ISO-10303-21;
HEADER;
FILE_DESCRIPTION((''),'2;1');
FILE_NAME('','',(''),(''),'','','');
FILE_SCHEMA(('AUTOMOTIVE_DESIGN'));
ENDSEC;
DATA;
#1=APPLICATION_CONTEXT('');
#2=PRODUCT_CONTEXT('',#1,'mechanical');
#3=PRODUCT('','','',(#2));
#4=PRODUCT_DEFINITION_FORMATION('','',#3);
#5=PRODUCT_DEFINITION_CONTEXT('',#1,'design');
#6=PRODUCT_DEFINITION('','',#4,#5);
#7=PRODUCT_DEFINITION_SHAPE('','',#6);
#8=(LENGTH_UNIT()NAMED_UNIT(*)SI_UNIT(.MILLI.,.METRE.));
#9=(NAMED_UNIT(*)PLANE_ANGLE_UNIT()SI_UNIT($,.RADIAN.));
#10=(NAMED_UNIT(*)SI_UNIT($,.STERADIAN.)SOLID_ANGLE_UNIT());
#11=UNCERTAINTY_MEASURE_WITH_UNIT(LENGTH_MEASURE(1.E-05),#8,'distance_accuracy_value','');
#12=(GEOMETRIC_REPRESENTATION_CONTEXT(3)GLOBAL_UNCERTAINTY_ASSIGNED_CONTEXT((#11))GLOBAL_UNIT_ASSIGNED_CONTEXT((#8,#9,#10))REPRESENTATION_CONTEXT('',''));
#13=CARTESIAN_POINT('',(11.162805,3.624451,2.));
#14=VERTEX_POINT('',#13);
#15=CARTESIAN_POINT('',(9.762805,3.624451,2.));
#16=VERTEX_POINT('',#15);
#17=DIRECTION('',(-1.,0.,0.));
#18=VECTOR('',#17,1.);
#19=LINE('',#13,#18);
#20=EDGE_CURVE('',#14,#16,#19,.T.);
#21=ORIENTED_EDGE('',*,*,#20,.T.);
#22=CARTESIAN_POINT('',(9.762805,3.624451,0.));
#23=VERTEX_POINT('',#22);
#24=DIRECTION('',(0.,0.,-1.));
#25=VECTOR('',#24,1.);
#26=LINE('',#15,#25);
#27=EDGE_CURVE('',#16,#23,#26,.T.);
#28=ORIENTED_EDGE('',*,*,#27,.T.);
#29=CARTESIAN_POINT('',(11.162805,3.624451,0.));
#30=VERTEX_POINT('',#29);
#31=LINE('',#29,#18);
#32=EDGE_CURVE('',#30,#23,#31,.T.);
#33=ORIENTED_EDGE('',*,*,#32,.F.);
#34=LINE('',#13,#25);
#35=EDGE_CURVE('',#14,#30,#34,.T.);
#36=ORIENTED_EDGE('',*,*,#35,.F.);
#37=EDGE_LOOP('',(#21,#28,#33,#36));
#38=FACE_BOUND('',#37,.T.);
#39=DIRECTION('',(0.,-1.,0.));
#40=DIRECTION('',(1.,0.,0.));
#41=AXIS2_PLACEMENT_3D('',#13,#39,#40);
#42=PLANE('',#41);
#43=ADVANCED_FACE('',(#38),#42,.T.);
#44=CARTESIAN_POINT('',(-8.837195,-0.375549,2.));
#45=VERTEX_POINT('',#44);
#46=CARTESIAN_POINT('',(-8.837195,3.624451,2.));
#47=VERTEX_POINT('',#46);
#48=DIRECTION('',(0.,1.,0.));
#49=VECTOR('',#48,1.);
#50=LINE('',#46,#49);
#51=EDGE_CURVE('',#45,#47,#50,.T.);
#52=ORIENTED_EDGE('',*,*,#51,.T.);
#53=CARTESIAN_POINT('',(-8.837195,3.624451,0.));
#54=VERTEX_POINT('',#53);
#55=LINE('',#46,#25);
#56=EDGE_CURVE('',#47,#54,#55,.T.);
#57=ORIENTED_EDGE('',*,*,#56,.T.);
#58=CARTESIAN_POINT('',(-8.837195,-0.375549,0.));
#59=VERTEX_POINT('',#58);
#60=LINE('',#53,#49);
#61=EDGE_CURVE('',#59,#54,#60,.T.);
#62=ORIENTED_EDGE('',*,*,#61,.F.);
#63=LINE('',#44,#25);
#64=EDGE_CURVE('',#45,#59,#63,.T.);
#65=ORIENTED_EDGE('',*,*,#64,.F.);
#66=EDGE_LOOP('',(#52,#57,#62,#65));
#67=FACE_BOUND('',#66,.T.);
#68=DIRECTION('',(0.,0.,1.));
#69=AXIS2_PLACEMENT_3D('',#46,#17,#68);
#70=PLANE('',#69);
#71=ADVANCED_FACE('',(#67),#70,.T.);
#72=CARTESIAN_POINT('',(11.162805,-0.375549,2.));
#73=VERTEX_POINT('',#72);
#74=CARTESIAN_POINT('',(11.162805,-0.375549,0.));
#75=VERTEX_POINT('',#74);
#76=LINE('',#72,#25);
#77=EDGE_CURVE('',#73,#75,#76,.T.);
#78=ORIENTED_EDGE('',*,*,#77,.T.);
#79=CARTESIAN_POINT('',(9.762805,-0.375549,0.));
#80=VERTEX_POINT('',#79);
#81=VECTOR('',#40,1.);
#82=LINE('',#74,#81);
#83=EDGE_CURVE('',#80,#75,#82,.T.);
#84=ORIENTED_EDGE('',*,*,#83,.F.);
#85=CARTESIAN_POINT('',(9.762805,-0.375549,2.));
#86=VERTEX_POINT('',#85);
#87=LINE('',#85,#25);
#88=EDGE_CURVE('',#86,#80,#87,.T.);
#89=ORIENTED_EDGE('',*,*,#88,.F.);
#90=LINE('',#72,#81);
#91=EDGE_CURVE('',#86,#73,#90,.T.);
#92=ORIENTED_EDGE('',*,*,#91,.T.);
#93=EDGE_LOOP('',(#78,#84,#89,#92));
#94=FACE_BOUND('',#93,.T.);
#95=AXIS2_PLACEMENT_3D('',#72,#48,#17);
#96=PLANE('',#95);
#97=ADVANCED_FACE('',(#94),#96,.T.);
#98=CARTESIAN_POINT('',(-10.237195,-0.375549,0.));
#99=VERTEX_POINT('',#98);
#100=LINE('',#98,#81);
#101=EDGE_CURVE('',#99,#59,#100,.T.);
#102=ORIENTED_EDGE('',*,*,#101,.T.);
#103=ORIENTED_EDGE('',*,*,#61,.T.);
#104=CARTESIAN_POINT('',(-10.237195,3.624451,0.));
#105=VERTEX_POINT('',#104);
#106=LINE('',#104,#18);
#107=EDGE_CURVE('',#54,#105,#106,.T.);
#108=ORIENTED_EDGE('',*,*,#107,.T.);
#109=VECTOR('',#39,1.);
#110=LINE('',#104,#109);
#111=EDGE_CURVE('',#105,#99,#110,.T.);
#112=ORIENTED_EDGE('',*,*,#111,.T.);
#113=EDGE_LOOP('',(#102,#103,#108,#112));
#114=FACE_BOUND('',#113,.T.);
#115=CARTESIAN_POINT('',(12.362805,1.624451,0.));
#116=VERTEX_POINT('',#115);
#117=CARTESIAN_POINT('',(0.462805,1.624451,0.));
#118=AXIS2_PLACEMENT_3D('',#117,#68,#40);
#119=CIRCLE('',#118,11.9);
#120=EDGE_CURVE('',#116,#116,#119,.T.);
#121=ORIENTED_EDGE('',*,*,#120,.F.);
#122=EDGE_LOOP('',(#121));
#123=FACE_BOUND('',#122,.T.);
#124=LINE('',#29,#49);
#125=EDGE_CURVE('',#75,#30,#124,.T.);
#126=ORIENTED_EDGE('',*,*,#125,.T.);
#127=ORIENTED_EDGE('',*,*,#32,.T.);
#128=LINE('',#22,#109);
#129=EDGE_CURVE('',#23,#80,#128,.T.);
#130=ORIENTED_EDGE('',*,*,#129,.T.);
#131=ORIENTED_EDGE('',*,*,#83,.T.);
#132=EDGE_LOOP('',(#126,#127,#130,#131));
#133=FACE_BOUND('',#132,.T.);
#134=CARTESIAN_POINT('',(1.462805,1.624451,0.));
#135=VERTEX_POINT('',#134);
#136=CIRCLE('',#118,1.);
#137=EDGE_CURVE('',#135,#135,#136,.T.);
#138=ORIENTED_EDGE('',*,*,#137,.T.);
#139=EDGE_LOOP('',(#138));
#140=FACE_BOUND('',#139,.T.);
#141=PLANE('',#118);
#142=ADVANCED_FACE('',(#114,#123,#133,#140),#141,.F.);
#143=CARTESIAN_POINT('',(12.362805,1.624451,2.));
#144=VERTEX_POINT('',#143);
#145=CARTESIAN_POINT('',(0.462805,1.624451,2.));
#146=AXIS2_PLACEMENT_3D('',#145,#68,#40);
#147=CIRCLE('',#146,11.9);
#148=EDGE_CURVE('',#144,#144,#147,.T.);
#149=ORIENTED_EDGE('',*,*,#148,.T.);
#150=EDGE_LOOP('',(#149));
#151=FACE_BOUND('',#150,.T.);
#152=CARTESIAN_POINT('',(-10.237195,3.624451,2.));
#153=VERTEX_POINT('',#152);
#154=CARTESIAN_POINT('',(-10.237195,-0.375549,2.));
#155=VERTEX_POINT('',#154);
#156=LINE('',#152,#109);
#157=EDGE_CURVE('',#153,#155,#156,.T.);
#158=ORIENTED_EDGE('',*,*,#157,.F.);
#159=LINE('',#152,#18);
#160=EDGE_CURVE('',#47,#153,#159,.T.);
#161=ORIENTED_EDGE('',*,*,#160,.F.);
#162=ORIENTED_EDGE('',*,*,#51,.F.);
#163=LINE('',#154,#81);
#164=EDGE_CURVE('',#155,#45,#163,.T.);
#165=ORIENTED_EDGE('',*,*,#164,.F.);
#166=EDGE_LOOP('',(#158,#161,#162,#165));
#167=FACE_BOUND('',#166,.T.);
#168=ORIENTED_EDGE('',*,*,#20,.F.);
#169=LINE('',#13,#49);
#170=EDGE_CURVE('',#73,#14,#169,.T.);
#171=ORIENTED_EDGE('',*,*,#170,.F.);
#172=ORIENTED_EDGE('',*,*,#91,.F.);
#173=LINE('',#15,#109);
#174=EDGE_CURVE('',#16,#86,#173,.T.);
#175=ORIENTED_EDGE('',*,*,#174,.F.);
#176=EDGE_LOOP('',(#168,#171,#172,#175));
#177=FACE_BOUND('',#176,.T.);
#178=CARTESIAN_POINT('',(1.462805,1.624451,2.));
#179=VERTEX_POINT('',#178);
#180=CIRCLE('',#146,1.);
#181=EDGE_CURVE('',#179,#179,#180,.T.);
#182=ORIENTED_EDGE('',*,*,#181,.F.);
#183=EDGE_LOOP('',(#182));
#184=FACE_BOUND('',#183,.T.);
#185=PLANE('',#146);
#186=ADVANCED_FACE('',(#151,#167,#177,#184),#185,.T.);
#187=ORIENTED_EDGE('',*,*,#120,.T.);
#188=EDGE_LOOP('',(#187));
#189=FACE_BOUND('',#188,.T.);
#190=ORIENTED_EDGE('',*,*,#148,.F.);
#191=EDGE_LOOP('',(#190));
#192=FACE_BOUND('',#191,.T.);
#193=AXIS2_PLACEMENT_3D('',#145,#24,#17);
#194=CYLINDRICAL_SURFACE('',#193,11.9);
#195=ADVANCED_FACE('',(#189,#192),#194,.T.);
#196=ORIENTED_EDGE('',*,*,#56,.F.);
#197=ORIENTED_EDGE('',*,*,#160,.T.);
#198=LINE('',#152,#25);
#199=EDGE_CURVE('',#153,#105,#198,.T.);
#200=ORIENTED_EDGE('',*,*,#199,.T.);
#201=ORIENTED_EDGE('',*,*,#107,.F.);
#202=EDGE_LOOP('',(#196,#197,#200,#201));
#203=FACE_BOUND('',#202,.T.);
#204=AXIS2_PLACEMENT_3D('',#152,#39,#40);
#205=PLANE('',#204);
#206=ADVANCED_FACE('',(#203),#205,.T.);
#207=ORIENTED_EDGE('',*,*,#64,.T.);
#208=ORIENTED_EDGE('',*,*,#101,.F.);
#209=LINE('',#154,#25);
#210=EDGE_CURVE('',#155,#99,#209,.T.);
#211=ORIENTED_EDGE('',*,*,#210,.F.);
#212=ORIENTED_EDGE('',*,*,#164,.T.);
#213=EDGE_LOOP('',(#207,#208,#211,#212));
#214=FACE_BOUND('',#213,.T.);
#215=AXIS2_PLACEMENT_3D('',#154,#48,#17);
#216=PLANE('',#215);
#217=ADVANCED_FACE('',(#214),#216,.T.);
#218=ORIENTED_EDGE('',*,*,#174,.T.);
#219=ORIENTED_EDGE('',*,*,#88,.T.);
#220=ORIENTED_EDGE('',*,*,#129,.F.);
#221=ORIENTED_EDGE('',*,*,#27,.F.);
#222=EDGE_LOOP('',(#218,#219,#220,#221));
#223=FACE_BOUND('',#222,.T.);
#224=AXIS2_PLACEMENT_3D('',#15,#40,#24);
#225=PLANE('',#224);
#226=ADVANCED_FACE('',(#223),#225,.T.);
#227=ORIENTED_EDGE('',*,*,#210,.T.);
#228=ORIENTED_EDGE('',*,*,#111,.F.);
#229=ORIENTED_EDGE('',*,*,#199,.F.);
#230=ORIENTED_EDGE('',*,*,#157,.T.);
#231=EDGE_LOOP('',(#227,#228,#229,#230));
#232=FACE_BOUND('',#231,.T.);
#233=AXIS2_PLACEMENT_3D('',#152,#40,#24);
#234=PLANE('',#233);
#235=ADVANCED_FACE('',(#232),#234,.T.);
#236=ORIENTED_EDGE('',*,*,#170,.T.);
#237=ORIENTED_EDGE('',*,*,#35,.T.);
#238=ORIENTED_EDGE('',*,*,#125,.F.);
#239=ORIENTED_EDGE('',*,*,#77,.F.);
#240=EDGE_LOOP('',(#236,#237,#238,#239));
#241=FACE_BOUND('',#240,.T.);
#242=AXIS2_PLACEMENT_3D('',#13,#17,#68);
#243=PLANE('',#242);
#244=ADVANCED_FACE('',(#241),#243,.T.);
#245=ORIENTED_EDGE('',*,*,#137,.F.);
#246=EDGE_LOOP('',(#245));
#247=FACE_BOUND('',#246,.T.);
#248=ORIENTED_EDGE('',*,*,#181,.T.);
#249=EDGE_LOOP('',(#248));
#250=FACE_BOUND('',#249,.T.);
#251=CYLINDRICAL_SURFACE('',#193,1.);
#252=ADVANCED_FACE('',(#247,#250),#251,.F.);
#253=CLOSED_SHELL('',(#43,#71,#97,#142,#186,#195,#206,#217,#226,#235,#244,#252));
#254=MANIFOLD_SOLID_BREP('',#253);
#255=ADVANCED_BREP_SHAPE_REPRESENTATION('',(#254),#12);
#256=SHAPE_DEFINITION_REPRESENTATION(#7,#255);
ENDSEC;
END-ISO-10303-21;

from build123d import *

# Parameters (mm, degrees)
SKETCH1_R           = 11.9
SKETCH1_R_2         = 1
SKETCH1_W           = 1.4
SKETCH1_H           = 4
BOSS_EXTRUDE1_DEPTH = 2


with BuildPart() as part:
    # Sketch1 → Boss-Extrude1 (new body)
    with BuildSketch(Plane.XY):
        with Locations((0.462805042, 1.624450899)):
            Circle(SKETCH1_R)
        with Locations((0.462805042, 1.624450899)):
            Circle(SKETCH1_R_2, mode=Mode.SUBTRACT)
        with Locations((10.462805042, 1.624450899)):
            Rectangle(SKETCH1_W, SKETCH1_H, mode=Mode.SUBTRACT)
        with Locations((-9.537194958, 1.624450899)):
            Rectangle(SKETCH1_W, SKETCH1_H, mode=Mode.SUBTRACT)
    extrude(amount=BOSS_EXTRUDE1_DEPTH)


solid = part.part
